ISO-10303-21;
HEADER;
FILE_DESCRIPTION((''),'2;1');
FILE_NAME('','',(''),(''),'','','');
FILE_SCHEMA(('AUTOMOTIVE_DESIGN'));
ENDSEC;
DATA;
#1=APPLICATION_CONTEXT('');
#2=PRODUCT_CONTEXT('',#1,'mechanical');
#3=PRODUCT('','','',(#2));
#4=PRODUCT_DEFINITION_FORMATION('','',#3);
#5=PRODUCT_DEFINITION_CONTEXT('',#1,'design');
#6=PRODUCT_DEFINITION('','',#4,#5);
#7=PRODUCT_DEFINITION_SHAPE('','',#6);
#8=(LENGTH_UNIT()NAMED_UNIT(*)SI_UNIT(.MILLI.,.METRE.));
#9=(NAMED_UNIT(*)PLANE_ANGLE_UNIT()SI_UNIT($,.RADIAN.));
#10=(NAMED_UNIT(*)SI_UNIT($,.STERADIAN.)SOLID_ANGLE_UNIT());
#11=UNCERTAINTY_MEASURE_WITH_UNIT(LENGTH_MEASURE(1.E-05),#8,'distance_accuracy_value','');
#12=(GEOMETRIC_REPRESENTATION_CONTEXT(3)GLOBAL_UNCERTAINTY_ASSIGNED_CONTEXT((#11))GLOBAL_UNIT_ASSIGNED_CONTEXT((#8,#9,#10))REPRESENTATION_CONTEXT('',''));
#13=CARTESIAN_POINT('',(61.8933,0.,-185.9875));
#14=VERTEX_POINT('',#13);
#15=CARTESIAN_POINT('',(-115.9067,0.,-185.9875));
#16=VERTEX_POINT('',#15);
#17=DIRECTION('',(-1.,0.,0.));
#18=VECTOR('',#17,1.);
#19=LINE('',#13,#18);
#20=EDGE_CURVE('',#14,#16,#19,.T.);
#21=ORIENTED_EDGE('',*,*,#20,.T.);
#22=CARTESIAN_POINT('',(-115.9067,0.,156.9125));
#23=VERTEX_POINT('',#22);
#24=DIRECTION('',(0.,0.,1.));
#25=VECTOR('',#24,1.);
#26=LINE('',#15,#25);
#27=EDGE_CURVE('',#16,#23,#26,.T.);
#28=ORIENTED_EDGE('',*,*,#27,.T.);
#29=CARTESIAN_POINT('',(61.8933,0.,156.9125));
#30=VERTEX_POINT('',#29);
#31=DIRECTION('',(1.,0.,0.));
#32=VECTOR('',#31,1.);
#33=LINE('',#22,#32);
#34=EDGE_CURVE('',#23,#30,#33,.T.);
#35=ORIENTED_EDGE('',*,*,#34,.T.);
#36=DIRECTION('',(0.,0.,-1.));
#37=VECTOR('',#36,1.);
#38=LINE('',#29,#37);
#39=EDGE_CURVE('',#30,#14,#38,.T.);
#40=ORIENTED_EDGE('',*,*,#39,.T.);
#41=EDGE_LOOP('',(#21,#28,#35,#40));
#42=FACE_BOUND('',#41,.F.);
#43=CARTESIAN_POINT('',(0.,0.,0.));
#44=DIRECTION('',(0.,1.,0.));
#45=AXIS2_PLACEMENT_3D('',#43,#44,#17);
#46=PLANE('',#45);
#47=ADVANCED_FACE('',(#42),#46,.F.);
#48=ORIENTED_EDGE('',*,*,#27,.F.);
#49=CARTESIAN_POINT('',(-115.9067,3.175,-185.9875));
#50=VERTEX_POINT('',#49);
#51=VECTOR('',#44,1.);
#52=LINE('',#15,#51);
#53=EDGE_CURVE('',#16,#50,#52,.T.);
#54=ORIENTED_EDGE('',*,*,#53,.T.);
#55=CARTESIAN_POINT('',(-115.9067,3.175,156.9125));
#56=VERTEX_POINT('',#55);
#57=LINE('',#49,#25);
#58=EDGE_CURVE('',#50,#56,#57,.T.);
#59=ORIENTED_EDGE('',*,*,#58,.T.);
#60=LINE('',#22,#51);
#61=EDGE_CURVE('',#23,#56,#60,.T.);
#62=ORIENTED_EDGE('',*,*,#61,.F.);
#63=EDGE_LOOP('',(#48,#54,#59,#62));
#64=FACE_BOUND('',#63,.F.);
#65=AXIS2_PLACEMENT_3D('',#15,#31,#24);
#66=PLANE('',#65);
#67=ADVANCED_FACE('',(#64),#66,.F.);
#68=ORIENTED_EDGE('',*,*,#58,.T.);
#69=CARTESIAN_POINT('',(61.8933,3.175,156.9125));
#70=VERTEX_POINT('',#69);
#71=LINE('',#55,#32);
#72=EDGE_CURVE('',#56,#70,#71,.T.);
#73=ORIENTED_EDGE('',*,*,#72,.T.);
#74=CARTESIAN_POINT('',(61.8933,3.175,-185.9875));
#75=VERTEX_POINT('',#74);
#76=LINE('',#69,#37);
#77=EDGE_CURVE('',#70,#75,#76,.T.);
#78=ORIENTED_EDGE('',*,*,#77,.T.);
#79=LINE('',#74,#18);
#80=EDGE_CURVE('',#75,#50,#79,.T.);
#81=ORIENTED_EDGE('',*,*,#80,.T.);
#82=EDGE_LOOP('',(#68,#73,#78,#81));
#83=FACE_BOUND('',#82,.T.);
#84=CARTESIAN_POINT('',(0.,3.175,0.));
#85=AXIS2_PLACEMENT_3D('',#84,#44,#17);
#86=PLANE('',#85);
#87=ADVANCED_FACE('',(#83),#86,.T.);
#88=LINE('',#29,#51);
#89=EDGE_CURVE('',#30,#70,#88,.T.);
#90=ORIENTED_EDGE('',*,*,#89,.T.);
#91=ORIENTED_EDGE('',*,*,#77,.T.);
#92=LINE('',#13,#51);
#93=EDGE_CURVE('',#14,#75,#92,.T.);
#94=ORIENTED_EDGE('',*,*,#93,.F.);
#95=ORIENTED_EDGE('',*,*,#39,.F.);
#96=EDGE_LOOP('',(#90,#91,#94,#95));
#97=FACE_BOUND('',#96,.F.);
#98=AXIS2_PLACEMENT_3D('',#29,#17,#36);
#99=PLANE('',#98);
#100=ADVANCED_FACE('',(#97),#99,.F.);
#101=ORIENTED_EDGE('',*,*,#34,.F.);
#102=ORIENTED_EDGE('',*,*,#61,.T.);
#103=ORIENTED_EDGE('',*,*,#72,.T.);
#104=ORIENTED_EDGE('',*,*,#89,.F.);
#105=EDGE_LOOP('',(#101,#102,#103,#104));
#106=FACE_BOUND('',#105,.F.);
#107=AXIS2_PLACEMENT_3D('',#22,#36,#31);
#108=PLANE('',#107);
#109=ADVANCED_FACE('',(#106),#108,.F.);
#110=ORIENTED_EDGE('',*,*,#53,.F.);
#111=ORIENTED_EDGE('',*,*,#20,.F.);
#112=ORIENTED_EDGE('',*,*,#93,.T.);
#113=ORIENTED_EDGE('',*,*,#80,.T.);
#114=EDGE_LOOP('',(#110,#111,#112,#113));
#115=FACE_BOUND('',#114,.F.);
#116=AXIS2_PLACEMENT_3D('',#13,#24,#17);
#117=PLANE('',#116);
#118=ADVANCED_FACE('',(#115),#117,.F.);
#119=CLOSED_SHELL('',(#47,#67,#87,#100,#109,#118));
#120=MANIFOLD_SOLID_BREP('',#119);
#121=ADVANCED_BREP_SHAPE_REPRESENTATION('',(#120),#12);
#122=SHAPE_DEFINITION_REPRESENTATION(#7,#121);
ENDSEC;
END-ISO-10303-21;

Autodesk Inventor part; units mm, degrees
ref_plane "YZ Plane" through (0, 0, 0) normal (1, 0, 0) x (0, 1, 0)
ref_plane "XZ Plane" through (0, 0, 0) normal (0, 1, 0) x (-1, 0, 0)
ref_plane "XY Plane" through (0, 0, 0) normal (0, 0, 1) x (1, 0, 0)
sketch "Sketch1" plane through (0, 0, 0) normal (0, 1, 0) x (-1, 0, 0)
  line L0 (115.9067, 156.9125) -> (-61.8933, 156.9125)
  line L1 (-61.8933, 156.9125) -> (-61.8933, -185.9875)
  line L2 (-61.8933, -185.9875) -> (115.9067, -185.9875)
  line L3 (115.9067, -185.9875) -> (115.9067, 156.9125)
  point P0 (0, 0)
  dimension "d0" = 342.9
  dimension "d1" = 177.8
extrude "Extrusion1" add sketch "Sketch1" along normal blind 3.175
properties part number "ControllerBoardTop" material "Polycarbonate, Clear"
